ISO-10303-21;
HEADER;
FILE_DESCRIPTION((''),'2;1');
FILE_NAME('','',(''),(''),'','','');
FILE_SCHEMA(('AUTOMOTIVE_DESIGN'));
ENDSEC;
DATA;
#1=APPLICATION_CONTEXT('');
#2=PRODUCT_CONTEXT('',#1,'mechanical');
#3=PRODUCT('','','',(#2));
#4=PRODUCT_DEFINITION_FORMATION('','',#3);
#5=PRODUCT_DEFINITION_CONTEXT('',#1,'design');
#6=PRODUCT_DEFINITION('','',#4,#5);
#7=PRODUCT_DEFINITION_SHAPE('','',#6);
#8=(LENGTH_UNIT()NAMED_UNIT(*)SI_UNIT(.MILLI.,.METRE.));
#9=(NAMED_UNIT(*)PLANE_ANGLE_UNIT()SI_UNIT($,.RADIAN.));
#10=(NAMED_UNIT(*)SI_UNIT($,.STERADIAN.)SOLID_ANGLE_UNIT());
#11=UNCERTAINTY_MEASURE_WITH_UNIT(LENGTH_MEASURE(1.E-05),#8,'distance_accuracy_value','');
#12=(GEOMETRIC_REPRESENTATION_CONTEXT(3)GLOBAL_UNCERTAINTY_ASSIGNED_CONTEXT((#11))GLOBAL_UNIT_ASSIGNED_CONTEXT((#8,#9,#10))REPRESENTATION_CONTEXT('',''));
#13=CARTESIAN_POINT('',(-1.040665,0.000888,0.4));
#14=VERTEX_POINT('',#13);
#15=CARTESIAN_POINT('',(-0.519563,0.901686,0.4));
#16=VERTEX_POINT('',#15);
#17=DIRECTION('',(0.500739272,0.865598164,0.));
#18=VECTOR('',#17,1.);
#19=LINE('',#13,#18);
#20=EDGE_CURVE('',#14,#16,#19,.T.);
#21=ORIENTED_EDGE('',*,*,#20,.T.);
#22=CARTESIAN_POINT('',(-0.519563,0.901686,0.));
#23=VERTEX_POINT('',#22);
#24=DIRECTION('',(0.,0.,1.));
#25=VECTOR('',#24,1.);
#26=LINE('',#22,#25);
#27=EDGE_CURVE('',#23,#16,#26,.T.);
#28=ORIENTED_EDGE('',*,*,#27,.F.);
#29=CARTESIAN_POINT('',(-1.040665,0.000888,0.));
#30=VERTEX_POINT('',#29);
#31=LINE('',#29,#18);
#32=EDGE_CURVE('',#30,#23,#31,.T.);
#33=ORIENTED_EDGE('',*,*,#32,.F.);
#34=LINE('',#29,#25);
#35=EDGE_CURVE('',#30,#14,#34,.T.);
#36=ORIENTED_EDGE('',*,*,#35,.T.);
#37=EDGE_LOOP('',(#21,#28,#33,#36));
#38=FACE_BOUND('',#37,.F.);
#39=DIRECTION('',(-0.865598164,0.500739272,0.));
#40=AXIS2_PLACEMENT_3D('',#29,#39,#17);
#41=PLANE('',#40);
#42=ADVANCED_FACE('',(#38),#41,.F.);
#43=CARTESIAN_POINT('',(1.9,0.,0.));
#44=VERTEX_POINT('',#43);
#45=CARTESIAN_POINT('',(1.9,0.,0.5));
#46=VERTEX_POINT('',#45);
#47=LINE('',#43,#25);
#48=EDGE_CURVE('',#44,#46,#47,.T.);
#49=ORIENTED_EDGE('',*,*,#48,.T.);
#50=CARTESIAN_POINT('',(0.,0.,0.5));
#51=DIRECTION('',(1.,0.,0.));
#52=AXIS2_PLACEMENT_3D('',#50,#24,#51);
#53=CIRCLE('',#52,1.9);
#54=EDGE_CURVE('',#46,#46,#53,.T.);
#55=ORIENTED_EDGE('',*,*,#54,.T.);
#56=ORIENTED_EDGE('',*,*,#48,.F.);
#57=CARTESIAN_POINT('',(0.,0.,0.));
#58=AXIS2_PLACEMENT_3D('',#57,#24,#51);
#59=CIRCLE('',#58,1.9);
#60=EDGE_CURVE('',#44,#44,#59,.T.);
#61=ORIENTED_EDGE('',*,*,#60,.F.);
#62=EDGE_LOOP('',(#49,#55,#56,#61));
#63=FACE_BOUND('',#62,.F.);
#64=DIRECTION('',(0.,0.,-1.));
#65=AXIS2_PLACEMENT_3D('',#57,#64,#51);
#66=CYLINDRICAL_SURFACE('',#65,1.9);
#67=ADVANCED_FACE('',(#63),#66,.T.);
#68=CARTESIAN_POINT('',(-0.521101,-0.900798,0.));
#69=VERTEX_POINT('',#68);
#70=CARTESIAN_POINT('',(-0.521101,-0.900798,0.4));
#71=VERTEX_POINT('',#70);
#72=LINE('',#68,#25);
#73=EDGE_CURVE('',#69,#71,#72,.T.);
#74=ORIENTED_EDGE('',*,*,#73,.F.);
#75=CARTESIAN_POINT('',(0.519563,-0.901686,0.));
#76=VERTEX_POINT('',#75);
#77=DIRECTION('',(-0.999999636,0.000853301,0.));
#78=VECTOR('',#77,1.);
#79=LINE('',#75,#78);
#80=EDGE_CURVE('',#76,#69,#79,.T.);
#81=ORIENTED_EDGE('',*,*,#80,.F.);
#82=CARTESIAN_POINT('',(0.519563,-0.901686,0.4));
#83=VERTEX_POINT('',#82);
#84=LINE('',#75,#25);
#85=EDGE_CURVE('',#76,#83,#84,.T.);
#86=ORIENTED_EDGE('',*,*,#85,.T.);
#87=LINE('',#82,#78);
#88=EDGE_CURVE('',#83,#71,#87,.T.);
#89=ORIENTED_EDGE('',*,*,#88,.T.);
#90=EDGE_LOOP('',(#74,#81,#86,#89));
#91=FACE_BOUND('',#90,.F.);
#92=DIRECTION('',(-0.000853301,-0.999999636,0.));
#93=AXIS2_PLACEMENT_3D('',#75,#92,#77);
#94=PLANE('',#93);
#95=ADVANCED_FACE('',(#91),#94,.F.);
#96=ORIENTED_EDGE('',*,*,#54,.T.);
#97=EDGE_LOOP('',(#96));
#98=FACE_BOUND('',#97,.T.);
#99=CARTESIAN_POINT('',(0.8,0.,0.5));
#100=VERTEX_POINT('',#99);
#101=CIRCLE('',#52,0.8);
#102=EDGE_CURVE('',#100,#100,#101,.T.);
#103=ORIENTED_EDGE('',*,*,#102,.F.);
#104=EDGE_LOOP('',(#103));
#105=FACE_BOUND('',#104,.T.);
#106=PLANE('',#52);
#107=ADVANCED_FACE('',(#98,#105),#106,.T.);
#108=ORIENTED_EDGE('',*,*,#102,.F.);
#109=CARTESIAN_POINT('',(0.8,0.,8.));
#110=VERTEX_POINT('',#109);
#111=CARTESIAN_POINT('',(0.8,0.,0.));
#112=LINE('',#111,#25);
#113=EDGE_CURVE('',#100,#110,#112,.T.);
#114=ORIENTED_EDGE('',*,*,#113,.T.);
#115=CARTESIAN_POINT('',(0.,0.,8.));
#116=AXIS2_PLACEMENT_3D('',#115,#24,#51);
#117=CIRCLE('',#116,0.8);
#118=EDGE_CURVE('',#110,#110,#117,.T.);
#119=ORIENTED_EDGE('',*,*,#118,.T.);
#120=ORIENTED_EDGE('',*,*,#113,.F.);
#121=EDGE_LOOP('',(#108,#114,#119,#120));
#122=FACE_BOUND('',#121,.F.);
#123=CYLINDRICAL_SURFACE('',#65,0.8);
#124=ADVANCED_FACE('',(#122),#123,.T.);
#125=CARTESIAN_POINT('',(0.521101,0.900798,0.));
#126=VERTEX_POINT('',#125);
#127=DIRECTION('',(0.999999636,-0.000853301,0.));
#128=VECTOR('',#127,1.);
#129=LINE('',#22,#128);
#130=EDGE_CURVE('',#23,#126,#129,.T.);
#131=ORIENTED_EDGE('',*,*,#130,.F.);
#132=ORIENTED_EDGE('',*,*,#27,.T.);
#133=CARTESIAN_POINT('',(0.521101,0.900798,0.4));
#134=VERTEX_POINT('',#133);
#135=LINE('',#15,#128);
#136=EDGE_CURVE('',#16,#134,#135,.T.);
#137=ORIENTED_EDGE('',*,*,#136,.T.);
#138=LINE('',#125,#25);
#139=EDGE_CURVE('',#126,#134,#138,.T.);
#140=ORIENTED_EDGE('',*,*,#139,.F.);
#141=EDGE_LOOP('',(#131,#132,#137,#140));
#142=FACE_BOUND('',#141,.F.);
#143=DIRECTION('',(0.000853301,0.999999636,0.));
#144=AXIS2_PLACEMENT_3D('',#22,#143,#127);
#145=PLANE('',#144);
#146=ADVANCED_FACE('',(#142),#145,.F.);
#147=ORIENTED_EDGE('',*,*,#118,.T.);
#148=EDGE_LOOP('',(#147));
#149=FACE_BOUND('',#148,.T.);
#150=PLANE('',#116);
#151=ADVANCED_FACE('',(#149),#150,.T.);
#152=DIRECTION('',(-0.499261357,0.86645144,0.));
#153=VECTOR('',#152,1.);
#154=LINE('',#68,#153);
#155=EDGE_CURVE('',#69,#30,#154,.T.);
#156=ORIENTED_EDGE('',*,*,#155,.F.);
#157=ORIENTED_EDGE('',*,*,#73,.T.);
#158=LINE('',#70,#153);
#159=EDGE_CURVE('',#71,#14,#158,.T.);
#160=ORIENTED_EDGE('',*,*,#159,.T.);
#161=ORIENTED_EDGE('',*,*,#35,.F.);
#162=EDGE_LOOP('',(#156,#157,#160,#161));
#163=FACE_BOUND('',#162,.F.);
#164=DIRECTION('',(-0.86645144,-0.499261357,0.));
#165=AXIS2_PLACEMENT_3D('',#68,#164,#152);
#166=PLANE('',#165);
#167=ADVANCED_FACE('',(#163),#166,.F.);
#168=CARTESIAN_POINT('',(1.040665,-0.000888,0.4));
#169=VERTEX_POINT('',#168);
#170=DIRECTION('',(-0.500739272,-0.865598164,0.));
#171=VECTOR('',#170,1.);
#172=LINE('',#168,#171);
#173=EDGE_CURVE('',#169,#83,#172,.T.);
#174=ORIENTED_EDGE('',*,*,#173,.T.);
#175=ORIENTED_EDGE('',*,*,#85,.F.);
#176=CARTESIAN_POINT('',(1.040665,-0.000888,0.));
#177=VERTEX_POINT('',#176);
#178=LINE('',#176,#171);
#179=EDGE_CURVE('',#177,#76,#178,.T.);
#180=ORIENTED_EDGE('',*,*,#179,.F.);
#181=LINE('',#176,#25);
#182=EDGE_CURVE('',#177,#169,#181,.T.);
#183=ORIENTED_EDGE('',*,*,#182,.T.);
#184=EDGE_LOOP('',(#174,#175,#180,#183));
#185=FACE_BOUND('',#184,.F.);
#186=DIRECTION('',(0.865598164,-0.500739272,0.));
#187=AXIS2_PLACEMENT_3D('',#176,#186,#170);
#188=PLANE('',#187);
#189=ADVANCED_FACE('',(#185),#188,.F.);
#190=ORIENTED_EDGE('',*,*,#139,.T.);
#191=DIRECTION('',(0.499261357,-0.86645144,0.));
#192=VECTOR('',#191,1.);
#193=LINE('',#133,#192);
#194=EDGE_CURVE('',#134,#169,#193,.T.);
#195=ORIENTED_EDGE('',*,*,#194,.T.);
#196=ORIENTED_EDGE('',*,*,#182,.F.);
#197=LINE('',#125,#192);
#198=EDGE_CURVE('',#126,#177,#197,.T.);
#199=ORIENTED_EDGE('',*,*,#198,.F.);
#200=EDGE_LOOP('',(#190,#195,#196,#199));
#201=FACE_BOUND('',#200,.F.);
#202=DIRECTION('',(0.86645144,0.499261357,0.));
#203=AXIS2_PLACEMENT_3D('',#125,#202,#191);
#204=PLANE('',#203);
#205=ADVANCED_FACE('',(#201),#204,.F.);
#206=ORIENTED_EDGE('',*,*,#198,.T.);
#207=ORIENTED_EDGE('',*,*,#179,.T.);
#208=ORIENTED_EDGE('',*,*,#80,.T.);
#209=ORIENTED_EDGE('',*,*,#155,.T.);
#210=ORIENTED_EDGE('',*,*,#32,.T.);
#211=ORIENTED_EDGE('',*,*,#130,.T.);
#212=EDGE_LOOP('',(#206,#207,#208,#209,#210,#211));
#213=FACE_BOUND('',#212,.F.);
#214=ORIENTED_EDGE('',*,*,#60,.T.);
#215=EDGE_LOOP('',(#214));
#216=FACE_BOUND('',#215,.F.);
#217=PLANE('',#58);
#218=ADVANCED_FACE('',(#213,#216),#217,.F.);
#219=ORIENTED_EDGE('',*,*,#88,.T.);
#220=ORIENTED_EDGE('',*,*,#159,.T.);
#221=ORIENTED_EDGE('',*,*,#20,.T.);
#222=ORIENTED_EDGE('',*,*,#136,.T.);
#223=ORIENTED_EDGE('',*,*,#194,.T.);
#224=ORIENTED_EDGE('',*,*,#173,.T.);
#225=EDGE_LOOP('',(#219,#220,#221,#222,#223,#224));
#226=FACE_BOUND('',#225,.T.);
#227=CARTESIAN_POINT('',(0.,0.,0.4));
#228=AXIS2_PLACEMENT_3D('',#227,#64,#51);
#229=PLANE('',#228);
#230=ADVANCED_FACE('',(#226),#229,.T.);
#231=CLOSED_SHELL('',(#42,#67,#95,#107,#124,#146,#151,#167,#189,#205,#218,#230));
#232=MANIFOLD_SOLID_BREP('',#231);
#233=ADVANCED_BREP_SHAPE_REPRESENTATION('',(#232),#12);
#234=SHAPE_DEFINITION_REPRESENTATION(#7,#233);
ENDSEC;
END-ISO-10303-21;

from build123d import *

# Parameters (mm, degrees)
F0_R     = 0.8
F1_DEPTH = 8
F0_R_2   = 1.9
F2_DEPTH = 0.5
F4_DEPTH = 0.4


with BuildPart() as f1:
    # F0 (on Top) → F1 (new body)
    with BuildSketch(Plane.XY):
        Circle(F0_R)
    extrude(amount=F1_DEPTH)

    # F0 (on Top) → F2 (join)
    with BuildSketch(Plane.XY):
        Circle(F0_R_2)
        Circle(F0_R, mode=Mode.SUBTRACT)
    extrude(amount=F2_DEPTH)

    # F3 (on face) → F4 (cut)
    with BuildSketch(Plane(origin=(0, 0, 0), x_dir=(1, 0, 0), z_dir=(0, 0, -1))):
        Polygon((0.521101, -0.900798), (1.040665, 0.000888), (0.519563, 0.901686), (-0.521101, 0.900798), (-1.040665, -0.000888), (-0.519563, -0.901686), align=None)
    extrude(amount=-F4_DEPTH, mode=Mode.SUBTRACT)


solid = f1.part
